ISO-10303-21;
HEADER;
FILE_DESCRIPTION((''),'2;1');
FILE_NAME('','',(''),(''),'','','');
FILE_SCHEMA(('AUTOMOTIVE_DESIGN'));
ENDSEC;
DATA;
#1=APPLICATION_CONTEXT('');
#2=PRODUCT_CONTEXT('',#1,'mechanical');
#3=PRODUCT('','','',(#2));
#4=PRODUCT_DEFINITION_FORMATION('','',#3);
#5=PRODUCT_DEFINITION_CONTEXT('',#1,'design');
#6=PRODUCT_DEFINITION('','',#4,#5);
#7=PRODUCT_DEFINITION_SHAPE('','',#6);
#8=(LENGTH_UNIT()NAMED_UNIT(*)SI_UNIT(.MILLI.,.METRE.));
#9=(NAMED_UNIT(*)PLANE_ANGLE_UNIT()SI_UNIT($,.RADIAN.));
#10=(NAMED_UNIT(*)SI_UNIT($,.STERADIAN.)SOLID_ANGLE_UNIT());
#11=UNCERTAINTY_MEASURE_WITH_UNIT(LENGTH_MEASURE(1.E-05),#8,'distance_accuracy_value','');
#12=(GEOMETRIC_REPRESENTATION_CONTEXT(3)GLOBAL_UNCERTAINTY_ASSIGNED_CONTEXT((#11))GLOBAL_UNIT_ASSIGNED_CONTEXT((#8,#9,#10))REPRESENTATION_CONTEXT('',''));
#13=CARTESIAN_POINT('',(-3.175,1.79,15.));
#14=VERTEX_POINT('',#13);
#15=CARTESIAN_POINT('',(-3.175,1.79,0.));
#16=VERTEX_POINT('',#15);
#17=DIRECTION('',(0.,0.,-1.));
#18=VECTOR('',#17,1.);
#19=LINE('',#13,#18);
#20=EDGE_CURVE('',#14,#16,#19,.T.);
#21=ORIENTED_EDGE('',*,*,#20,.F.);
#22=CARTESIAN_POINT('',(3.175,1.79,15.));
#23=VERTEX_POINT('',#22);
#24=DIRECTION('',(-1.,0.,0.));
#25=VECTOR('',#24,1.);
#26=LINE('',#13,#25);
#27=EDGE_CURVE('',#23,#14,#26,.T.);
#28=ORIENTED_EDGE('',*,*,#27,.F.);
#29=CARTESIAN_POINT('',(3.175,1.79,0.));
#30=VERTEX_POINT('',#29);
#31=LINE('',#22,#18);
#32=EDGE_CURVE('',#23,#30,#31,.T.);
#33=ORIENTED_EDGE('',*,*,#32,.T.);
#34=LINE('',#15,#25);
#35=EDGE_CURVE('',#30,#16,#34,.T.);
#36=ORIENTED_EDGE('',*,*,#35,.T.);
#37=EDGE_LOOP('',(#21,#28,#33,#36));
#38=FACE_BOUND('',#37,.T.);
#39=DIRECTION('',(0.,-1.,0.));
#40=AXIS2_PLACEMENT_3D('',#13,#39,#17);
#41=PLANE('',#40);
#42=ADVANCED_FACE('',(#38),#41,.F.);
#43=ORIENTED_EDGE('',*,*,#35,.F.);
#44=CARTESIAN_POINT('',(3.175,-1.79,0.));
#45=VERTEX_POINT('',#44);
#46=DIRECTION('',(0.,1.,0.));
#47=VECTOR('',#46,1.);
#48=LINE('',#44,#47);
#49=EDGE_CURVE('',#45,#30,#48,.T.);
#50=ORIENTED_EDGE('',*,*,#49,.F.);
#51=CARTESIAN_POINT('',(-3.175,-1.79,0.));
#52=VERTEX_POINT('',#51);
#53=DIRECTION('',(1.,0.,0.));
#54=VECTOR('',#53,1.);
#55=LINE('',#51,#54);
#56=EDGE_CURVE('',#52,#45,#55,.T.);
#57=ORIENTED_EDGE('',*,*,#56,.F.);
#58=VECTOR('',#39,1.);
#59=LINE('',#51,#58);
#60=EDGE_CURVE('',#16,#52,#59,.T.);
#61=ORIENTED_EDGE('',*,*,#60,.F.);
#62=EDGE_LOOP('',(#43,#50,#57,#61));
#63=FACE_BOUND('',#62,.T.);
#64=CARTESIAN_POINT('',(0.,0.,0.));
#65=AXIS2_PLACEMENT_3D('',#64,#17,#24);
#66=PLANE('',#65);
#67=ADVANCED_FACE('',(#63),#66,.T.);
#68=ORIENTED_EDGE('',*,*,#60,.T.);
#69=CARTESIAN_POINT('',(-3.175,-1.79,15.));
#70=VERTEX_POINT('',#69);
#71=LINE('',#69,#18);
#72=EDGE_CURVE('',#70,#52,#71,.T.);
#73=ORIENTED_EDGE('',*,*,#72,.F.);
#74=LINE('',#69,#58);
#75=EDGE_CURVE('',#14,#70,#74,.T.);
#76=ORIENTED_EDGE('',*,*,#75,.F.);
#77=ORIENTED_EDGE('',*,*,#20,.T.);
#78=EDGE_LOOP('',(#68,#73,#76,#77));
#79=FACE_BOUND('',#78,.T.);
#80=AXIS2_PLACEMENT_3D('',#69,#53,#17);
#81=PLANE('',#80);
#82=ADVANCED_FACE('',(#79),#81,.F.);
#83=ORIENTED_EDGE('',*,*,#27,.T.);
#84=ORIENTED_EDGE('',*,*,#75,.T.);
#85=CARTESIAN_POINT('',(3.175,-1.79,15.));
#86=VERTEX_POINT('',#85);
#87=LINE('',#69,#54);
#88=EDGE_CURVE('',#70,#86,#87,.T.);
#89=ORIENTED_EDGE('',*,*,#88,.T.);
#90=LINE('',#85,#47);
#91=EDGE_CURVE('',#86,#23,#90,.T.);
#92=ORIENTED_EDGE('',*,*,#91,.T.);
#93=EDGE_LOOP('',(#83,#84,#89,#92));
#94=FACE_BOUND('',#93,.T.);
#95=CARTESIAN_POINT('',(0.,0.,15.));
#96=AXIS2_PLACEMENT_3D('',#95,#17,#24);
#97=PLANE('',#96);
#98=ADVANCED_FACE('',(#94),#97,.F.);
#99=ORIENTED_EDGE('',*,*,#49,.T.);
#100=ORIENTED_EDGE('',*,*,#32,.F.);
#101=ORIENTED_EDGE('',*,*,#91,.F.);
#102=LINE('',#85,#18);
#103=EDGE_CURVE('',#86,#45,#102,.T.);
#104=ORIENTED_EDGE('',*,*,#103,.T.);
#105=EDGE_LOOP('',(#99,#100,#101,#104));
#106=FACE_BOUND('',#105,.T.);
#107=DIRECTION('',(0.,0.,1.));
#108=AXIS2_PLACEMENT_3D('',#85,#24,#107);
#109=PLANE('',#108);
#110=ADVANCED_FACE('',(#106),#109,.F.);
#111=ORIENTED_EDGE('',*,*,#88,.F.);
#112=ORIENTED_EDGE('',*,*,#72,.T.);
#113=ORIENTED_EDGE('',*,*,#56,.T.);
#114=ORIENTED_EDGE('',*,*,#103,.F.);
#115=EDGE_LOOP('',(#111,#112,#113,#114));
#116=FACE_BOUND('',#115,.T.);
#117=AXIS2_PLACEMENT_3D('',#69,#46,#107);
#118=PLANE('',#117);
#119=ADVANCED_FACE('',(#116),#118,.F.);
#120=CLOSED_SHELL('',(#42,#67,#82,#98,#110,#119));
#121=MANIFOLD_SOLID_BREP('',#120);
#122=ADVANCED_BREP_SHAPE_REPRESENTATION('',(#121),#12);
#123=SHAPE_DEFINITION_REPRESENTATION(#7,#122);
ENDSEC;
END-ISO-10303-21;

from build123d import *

# Parameters (mm, degrees)
ESBO_O1_W                = 6.35
ESBO_O1_H                = 3.58
RESSALTO_EXTRUS_O1_DEPTH = 15


with BuildPart() as part:
    # Esboço1 → Ressalto-extrusão1 (new body)
    with BuildSketch(Plane.XY):
        Rectangle(ESBO_O1_W, ESBO_O1_H)
    extrude(amount=RESSALTO_EXTRUS_O1_DEPTH)


solid = part.part
